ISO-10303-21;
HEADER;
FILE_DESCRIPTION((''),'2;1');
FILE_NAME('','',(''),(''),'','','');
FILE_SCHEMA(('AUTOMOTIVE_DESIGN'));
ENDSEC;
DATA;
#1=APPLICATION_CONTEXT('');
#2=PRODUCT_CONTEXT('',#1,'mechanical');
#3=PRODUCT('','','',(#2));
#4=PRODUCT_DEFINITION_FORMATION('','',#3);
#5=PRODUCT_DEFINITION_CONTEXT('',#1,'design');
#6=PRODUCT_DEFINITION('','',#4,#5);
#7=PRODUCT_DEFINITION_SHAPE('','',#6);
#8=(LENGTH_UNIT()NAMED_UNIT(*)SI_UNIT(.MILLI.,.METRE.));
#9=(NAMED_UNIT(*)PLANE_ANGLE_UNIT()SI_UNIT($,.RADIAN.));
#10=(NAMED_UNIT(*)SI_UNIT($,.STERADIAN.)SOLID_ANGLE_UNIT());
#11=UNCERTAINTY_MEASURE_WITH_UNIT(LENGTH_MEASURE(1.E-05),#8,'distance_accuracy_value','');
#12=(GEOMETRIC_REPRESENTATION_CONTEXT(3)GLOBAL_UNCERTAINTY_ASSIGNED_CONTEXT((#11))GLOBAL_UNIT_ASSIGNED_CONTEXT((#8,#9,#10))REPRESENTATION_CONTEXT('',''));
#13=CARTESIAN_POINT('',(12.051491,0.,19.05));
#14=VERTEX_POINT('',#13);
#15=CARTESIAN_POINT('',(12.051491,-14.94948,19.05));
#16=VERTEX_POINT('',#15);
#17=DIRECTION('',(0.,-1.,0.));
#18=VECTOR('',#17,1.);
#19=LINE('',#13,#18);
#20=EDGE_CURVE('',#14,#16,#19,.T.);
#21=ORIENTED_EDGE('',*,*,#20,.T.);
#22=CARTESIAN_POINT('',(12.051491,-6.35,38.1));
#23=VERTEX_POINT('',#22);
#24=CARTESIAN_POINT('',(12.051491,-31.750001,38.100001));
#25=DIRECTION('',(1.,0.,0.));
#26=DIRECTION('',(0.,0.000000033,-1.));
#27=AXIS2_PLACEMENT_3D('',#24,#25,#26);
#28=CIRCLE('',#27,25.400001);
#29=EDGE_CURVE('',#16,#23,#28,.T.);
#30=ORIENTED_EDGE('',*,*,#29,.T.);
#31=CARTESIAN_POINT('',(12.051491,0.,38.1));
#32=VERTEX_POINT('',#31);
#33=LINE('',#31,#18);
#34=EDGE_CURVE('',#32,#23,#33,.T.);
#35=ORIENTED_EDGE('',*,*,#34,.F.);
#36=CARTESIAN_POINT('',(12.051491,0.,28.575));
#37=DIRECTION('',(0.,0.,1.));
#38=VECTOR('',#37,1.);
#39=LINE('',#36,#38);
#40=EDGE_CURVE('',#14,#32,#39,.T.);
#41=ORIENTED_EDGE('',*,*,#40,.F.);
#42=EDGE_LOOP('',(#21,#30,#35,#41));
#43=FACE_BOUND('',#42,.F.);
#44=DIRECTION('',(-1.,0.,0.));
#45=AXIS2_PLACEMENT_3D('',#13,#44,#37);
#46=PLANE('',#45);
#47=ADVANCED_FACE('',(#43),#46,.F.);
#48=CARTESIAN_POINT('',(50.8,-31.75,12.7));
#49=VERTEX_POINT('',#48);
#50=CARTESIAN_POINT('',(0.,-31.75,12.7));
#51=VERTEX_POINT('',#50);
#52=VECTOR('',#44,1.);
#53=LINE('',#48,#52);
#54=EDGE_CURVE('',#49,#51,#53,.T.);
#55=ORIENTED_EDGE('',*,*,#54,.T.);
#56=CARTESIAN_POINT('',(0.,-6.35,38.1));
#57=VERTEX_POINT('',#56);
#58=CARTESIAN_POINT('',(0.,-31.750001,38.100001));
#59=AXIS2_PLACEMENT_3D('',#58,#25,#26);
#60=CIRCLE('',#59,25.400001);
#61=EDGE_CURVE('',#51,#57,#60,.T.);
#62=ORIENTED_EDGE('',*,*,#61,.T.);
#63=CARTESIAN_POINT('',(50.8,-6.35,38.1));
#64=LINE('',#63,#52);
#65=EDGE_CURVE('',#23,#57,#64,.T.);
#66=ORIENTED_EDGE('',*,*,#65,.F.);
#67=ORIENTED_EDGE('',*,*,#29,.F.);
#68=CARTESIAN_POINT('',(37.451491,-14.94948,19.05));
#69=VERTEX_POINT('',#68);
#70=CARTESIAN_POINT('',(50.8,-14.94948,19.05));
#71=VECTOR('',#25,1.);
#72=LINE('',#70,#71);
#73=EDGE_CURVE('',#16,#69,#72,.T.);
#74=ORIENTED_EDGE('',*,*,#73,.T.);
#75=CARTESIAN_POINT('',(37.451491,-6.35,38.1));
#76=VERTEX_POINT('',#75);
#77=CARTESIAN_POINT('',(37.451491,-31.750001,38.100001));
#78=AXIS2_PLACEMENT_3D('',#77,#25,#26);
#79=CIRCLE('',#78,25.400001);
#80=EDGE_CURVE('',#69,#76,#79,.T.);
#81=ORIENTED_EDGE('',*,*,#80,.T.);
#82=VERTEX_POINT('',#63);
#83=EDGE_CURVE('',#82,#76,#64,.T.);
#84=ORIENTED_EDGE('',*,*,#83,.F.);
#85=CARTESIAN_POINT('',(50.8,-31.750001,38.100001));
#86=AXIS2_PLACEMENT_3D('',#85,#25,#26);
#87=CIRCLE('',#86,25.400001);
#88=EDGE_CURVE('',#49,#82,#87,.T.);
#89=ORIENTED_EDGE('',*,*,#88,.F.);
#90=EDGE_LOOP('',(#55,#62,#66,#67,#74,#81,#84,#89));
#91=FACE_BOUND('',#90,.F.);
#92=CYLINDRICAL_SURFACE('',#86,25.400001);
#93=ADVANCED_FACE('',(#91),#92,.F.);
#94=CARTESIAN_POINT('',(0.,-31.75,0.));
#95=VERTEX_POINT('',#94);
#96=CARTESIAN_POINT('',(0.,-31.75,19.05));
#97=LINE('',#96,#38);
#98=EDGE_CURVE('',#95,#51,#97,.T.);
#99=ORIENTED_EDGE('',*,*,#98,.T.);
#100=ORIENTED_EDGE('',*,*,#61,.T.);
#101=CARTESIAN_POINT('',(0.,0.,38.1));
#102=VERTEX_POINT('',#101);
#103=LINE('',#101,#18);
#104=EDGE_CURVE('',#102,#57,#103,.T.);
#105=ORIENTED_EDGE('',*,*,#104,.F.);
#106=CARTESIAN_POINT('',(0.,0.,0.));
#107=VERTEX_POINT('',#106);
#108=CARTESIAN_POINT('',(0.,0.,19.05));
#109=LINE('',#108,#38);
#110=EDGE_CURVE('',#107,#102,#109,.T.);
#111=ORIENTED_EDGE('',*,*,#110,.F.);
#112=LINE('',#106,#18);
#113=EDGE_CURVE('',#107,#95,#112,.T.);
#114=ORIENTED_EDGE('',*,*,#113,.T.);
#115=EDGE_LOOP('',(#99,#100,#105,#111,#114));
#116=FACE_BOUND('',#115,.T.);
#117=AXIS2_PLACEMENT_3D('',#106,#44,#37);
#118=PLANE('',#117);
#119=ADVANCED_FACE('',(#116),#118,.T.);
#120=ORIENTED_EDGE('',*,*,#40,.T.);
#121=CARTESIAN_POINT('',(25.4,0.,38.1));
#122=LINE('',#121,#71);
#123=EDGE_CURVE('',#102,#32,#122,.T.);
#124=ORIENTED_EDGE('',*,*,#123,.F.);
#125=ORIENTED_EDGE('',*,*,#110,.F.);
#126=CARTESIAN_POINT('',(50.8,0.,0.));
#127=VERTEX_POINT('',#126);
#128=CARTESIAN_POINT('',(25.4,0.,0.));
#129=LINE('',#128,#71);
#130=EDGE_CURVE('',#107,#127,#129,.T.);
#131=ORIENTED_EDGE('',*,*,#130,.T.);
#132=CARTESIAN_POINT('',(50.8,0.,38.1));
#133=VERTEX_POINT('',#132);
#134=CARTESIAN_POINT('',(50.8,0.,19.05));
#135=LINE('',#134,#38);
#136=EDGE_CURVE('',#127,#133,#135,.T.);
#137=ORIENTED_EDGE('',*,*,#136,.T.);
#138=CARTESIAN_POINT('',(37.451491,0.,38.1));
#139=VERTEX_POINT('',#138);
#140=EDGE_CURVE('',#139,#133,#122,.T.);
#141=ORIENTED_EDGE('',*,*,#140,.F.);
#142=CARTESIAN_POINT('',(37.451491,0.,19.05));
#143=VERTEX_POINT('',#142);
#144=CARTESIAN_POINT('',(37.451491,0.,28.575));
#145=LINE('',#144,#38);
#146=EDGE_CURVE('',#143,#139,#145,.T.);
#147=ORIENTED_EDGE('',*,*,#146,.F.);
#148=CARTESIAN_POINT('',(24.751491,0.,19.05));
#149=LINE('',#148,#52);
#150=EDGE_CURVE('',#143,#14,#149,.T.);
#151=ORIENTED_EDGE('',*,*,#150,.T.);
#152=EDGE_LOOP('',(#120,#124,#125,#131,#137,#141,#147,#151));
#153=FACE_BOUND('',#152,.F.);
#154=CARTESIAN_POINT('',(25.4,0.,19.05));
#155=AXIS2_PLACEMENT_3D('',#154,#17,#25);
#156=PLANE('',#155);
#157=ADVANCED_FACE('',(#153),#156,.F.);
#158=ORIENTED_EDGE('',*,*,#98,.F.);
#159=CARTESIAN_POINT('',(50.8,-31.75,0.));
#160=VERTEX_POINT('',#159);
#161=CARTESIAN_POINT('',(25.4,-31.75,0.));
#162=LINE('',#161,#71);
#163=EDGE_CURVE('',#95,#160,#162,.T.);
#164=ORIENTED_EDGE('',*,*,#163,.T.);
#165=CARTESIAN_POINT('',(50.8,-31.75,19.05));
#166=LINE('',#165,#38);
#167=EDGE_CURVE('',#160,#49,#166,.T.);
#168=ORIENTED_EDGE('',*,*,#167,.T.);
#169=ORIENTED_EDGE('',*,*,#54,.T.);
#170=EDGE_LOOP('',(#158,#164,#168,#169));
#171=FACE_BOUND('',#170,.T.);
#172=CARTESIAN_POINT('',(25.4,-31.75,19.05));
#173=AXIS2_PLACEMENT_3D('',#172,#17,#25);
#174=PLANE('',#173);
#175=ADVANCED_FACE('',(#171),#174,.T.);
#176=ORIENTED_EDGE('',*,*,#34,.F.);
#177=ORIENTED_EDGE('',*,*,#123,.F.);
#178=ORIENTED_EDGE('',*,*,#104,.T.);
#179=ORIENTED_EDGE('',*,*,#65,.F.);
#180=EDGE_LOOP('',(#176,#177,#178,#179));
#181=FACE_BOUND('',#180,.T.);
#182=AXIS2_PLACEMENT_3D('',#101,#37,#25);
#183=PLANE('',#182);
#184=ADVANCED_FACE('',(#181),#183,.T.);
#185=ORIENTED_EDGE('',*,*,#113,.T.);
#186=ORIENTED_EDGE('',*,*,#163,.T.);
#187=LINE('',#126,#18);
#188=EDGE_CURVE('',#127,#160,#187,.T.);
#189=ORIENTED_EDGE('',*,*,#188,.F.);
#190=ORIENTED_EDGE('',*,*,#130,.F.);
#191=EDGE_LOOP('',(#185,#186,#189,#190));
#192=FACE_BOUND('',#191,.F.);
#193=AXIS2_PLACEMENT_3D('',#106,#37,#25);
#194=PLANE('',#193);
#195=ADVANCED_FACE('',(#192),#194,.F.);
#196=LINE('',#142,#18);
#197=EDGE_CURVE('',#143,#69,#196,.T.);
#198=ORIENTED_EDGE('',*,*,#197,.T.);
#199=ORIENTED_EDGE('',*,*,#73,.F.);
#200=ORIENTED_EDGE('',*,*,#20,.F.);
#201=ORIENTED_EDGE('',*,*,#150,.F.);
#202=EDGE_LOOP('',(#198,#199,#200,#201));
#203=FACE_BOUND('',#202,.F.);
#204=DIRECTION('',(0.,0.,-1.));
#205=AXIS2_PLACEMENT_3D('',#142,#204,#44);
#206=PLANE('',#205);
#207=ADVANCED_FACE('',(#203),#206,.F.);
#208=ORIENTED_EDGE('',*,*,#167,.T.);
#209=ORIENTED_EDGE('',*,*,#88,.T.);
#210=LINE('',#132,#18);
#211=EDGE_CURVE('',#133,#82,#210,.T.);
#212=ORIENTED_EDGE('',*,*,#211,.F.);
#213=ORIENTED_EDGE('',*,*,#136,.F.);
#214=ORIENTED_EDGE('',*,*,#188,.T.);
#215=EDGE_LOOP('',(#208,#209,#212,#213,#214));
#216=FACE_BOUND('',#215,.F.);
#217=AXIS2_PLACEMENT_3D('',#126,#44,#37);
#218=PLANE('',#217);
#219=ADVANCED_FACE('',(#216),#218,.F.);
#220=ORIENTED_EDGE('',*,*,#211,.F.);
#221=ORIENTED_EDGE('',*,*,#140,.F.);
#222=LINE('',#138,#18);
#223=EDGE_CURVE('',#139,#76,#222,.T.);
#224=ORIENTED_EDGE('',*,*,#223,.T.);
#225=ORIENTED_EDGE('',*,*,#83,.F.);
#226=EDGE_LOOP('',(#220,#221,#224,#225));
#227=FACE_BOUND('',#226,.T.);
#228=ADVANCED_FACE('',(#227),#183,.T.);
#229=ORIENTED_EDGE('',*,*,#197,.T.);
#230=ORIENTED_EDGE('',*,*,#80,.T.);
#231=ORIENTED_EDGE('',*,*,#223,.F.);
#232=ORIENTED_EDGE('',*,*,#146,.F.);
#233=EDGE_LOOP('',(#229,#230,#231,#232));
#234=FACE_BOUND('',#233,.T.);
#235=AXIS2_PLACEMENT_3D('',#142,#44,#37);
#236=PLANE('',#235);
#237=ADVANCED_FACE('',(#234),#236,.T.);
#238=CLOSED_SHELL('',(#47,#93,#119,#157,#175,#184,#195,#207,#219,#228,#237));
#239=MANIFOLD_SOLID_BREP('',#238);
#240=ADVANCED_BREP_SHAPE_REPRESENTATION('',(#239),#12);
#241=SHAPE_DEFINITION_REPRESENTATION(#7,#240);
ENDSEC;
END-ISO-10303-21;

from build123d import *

# Parameters (mm, degrees)
F0_W     = 50.8
F0_H     = 38.1
F1_DEPTH = 31.75
F3_DEPTH = 50.8
F4_W     = 25.4
F4_H     = 19.05
F5_DEPTH = 15.621


with BuildPart() as f1:
    # F0 (on Front) → F1 (new body)
    with BuildSketch(Plane.XZ):
        with Locations((25.4, 19.05)):
            Rectangle(F0_W, F0_H)
    extrude(amount=F1_DEPTH)

    # F2 (on face) → F3 (cut)
    with BuildSketch(Plane.YZ.offset(50.8)):
        with BuildLine():
            Line((-31.75, 38.1), (-31.75, 12.7))
            ThreePointArc((-31.75, 12.7), (-13.789488, 20.139488), (-6.35, 38.1))
            Line((-6.35, 38.1), (-31.75, 38.1))
        make_face()
    extrude(amount=-F3_DEPTH, mode=Mode.SUBTRACT)

    # F4 (on face) → F5 (cut)
    with BuildSketch(Plane(origin=(0, 0, 0), x_dir=(-1, 0, 0), z_dir=(0, 1, 0))):
        with Locations((-24.751491, 28.575)):
            Rectangle(F4_W, F4_H)
    extrude(amount=-F5_DEPTH, mode=Mode.SUBTRACT)


solid = f1.part
